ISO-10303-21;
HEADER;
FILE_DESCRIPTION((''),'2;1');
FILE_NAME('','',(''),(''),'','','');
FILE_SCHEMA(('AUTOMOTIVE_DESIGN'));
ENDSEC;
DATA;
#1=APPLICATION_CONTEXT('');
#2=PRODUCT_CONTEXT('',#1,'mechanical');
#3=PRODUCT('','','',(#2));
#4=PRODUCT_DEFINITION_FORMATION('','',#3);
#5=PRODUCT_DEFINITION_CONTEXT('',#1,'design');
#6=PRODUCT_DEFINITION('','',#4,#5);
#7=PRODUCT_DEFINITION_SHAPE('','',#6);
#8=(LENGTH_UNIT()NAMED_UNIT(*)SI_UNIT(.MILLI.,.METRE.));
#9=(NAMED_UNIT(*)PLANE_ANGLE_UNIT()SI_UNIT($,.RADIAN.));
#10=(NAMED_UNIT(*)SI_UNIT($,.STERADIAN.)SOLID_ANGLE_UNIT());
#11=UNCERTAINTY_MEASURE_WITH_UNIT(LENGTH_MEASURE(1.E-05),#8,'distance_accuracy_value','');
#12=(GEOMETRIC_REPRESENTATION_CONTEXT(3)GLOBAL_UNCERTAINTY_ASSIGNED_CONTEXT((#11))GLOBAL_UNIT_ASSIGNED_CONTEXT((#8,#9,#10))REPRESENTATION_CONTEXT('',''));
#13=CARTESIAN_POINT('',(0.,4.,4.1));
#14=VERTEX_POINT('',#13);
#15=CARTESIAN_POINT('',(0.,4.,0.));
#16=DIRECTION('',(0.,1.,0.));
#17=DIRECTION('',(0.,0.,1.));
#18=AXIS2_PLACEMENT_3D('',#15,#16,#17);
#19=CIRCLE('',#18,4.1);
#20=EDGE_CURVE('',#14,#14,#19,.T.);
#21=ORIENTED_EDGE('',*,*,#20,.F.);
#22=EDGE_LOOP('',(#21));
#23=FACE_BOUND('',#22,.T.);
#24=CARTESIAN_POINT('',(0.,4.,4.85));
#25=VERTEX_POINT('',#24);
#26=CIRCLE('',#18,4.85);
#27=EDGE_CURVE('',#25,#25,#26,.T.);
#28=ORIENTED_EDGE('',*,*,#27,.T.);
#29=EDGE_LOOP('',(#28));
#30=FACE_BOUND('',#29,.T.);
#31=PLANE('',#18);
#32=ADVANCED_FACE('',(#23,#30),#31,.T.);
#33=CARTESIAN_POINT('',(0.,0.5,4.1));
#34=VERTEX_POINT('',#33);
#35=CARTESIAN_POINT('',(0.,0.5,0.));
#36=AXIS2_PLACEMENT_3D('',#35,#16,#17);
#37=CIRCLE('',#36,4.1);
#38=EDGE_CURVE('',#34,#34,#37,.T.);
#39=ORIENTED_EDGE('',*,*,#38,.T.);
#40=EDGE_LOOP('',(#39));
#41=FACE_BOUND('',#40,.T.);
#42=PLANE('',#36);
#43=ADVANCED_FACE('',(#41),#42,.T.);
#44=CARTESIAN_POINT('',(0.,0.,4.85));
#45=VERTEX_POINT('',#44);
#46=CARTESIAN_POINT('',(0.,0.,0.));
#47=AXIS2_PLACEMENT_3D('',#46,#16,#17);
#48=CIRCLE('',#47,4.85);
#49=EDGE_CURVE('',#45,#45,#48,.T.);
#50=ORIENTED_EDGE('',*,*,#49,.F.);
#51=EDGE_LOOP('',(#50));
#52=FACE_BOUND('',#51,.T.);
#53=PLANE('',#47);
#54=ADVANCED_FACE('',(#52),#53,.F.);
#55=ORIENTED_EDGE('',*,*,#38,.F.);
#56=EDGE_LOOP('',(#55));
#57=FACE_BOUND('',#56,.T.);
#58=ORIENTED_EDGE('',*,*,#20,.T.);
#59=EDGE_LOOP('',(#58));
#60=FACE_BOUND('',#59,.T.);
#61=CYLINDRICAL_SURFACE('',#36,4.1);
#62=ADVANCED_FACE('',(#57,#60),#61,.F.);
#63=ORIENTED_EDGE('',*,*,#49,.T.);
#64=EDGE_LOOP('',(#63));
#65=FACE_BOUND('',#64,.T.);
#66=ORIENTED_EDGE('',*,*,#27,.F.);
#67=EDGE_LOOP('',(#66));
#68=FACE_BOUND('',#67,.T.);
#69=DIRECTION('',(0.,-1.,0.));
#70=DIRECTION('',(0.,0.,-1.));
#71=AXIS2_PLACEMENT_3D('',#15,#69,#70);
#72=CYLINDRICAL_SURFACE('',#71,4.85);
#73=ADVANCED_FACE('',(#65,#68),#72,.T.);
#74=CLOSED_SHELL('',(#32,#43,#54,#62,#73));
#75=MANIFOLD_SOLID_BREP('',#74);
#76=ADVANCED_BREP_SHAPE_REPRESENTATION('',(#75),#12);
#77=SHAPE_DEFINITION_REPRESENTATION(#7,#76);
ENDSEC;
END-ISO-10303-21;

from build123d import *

# Parameters (mm, degrees)
SKETCH1_R           = 4.85
BOSS_EXTRUDE1_DEPTH = 4
SKETCH2_R           = 4.1
CUT_EXTRUDE1_DEPTH  = 3.5


with BuildPart() as part:
    # Sketch1 → Boss-Extrude1 (new body)
    with BuildSketch(Plane(origin=(0, 0, 0), x_dir=(1, 0, 0), z_dir=(0, 1, 0))):
        Circle(SKETCH1_R)
    extrude(amount=BOSS_EXTRUDE1_DEPTH)

    # Sketch2 → Cut-Extrude1 (cut)
    with BuildSketch(Plane(origin=(0, 4, 0), x_dir=(1, 0, 0), z_dir=(0, 1, 0))):
        Circle(SKETCH2_R)
    extrude(amount=-CUT_EXTRUDE1_DEPTH, mode=Mode.SUBTRACT)


solid = part.part
